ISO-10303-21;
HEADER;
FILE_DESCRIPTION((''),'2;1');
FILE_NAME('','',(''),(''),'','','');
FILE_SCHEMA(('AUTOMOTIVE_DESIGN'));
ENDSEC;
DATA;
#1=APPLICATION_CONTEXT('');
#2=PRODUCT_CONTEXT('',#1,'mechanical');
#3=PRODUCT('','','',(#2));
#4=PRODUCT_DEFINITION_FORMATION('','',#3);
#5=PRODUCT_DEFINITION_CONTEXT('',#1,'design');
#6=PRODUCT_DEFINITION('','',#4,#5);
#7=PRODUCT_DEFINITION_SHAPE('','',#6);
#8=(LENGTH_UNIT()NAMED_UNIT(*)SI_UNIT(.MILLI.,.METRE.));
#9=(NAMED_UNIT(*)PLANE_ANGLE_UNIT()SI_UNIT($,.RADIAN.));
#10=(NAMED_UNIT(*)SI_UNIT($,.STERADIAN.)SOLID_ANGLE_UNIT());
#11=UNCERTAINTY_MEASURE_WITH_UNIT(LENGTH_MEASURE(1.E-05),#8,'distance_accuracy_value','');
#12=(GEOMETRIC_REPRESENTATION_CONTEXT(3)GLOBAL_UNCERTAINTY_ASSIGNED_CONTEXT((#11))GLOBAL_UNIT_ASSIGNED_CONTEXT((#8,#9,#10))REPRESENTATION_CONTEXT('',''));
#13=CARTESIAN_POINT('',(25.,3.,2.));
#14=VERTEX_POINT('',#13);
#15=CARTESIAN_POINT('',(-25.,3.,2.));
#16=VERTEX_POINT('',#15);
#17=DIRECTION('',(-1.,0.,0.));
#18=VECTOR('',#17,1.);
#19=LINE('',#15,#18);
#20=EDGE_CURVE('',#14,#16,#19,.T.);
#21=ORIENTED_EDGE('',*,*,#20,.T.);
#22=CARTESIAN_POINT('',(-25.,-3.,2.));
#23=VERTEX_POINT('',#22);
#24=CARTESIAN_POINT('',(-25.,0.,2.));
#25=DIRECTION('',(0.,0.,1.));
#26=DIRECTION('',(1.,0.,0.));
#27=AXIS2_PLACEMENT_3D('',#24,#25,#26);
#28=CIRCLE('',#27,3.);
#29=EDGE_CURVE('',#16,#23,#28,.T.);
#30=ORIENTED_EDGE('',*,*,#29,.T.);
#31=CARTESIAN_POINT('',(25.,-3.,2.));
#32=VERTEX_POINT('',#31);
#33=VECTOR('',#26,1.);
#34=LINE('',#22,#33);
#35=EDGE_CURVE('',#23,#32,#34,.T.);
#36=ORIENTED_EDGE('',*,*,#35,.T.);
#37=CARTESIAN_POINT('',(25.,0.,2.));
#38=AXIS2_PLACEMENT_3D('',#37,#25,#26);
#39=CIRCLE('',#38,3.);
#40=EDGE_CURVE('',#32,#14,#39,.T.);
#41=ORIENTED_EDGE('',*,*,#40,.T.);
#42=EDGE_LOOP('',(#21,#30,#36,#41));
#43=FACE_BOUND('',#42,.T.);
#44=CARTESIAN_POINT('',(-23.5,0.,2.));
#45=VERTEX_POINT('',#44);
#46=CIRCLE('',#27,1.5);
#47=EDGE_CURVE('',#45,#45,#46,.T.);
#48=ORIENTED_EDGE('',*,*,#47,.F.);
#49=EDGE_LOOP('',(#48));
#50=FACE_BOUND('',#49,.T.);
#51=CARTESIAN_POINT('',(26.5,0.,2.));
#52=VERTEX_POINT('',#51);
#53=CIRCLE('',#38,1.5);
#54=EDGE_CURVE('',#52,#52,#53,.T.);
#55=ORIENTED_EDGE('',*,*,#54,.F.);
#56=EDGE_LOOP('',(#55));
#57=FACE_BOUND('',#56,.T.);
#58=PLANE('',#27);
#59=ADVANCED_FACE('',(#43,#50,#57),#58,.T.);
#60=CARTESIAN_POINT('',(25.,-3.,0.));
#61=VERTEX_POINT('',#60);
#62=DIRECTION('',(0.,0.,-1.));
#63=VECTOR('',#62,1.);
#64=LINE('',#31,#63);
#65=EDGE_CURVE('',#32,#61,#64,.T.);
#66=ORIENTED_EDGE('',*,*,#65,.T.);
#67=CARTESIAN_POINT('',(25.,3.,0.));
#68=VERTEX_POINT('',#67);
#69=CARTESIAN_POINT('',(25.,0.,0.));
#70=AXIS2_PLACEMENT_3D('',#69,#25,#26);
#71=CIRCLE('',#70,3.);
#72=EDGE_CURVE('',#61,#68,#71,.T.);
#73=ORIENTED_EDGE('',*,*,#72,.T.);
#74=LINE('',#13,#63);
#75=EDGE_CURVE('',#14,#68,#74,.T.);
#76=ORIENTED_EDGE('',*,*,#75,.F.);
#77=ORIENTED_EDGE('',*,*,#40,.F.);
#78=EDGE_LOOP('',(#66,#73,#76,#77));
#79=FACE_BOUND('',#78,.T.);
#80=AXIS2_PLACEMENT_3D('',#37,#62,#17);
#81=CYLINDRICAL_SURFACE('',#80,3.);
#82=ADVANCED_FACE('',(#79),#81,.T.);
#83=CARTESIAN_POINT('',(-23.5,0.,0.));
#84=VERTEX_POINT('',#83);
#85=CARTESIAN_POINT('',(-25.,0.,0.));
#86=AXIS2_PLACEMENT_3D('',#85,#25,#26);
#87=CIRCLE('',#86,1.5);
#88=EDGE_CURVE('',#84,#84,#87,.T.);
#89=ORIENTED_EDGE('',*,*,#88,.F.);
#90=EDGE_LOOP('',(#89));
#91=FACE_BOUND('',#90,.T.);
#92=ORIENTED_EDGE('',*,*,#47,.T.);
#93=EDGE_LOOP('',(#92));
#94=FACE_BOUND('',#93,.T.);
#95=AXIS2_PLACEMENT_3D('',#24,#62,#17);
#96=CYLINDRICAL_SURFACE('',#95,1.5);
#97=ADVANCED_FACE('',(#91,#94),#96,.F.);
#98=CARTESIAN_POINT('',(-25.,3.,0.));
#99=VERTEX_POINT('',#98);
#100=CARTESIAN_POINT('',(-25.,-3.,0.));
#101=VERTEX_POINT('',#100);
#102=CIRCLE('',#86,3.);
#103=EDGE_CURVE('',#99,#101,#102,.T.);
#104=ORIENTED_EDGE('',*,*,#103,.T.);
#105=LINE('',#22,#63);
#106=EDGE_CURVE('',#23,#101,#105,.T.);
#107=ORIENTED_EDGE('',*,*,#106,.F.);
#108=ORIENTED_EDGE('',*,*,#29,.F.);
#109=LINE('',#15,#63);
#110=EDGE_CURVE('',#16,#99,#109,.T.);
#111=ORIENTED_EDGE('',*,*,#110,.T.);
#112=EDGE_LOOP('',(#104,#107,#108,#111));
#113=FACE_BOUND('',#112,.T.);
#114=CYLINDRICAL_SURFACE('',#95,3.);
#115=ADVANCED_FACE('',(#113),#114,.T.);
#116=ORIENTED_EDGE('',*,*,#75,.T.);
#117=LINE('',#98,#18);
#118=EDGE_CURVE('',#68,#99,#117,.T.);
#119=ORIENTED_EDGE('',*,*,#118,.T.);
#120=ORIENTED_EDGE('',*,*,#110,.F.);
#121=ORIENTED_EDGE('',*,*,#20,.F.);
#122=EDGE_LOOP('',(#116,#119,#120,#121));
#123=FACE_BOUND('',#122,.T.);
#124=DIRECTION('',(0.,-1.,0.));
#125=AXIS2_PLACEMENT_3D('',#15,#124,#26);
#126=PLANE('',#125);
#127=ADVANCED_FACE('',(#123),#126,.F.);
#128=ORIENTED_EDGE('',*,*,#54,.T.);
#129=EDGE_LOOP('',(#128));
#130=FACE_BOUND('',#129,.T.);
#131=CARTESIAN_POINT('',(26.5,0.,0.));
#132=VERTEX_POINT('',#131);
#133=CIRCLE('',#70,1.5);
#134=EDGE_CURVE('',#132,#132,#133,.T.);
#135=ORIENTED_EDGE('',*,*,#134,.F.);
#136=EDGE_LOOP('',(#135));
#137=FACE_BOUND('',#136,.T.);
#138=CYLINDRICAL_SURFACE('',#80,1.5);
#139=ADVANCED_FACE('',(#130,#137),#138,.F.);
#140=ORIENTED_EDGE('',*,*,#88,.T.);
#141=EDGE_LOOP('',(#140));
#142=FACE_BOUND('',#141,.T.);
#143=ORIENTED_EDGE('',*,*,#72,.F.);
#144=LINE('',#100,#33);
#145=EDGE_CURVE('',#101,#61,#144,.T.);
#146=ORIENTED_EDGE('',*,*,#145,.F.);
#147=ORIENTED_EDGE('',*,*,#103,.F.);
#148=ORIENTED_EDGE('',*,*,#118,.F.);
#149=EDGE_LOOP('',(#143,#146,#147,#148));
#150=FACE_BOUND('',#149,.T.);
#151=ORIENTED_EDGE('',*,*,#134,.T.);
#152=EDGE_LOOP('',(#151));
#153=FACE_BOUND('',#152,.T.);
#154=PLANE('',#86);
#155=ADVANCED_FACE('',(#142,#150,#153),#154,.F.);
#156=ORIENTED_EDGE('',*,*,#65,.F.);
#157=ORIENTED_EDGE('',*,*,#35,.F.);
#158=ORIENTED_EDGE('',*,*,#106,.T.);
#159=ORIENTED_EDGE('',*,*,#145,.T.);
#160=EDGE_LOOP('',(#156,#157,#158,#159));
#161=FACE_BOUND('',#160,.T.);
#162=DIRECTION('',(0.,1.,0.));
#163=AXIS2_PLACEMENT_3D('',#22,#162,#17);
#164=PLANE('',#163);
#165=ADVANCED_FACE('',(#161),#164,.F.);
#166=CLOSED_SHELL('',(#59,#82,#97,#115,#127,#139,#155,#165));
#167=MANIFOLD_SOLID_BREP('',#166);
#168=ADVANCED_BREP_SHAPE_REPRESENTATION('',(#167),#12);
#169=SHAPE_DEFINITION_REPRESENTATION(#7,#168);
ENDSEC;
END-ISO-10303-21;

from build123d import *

# Parameters (mm, degrees)
SKETCH1_R           = 1.5
BOSS_EXTRUDE1_DEPTH = 2


with BuildPart() as part:
    # Sketch1 → Boss-Extrude1 (new body)
    with BuildSketch(Plane.XY):
        with BuildLine():
            Line((-25, 3), (25, 3))
            ThreePointArc((25, 3), (28, 0), (25, -3))
            Line((25, -3), (-25, -3))
            ThreePointArc((-25, -3), (-28, 0), (-25, 3))
        make_face()
        with Locations((-25, 0)):
            Circle(SKETCH1_R, mode=Mode.SUBTRACT)
        with Locations((25, 0)):
            Circle(SKETCH1_R, mode=Mode.SUBTRACT)
    extrude(amount=BOSS_EXTRUDE1_DEPTH)


solid = part.part
